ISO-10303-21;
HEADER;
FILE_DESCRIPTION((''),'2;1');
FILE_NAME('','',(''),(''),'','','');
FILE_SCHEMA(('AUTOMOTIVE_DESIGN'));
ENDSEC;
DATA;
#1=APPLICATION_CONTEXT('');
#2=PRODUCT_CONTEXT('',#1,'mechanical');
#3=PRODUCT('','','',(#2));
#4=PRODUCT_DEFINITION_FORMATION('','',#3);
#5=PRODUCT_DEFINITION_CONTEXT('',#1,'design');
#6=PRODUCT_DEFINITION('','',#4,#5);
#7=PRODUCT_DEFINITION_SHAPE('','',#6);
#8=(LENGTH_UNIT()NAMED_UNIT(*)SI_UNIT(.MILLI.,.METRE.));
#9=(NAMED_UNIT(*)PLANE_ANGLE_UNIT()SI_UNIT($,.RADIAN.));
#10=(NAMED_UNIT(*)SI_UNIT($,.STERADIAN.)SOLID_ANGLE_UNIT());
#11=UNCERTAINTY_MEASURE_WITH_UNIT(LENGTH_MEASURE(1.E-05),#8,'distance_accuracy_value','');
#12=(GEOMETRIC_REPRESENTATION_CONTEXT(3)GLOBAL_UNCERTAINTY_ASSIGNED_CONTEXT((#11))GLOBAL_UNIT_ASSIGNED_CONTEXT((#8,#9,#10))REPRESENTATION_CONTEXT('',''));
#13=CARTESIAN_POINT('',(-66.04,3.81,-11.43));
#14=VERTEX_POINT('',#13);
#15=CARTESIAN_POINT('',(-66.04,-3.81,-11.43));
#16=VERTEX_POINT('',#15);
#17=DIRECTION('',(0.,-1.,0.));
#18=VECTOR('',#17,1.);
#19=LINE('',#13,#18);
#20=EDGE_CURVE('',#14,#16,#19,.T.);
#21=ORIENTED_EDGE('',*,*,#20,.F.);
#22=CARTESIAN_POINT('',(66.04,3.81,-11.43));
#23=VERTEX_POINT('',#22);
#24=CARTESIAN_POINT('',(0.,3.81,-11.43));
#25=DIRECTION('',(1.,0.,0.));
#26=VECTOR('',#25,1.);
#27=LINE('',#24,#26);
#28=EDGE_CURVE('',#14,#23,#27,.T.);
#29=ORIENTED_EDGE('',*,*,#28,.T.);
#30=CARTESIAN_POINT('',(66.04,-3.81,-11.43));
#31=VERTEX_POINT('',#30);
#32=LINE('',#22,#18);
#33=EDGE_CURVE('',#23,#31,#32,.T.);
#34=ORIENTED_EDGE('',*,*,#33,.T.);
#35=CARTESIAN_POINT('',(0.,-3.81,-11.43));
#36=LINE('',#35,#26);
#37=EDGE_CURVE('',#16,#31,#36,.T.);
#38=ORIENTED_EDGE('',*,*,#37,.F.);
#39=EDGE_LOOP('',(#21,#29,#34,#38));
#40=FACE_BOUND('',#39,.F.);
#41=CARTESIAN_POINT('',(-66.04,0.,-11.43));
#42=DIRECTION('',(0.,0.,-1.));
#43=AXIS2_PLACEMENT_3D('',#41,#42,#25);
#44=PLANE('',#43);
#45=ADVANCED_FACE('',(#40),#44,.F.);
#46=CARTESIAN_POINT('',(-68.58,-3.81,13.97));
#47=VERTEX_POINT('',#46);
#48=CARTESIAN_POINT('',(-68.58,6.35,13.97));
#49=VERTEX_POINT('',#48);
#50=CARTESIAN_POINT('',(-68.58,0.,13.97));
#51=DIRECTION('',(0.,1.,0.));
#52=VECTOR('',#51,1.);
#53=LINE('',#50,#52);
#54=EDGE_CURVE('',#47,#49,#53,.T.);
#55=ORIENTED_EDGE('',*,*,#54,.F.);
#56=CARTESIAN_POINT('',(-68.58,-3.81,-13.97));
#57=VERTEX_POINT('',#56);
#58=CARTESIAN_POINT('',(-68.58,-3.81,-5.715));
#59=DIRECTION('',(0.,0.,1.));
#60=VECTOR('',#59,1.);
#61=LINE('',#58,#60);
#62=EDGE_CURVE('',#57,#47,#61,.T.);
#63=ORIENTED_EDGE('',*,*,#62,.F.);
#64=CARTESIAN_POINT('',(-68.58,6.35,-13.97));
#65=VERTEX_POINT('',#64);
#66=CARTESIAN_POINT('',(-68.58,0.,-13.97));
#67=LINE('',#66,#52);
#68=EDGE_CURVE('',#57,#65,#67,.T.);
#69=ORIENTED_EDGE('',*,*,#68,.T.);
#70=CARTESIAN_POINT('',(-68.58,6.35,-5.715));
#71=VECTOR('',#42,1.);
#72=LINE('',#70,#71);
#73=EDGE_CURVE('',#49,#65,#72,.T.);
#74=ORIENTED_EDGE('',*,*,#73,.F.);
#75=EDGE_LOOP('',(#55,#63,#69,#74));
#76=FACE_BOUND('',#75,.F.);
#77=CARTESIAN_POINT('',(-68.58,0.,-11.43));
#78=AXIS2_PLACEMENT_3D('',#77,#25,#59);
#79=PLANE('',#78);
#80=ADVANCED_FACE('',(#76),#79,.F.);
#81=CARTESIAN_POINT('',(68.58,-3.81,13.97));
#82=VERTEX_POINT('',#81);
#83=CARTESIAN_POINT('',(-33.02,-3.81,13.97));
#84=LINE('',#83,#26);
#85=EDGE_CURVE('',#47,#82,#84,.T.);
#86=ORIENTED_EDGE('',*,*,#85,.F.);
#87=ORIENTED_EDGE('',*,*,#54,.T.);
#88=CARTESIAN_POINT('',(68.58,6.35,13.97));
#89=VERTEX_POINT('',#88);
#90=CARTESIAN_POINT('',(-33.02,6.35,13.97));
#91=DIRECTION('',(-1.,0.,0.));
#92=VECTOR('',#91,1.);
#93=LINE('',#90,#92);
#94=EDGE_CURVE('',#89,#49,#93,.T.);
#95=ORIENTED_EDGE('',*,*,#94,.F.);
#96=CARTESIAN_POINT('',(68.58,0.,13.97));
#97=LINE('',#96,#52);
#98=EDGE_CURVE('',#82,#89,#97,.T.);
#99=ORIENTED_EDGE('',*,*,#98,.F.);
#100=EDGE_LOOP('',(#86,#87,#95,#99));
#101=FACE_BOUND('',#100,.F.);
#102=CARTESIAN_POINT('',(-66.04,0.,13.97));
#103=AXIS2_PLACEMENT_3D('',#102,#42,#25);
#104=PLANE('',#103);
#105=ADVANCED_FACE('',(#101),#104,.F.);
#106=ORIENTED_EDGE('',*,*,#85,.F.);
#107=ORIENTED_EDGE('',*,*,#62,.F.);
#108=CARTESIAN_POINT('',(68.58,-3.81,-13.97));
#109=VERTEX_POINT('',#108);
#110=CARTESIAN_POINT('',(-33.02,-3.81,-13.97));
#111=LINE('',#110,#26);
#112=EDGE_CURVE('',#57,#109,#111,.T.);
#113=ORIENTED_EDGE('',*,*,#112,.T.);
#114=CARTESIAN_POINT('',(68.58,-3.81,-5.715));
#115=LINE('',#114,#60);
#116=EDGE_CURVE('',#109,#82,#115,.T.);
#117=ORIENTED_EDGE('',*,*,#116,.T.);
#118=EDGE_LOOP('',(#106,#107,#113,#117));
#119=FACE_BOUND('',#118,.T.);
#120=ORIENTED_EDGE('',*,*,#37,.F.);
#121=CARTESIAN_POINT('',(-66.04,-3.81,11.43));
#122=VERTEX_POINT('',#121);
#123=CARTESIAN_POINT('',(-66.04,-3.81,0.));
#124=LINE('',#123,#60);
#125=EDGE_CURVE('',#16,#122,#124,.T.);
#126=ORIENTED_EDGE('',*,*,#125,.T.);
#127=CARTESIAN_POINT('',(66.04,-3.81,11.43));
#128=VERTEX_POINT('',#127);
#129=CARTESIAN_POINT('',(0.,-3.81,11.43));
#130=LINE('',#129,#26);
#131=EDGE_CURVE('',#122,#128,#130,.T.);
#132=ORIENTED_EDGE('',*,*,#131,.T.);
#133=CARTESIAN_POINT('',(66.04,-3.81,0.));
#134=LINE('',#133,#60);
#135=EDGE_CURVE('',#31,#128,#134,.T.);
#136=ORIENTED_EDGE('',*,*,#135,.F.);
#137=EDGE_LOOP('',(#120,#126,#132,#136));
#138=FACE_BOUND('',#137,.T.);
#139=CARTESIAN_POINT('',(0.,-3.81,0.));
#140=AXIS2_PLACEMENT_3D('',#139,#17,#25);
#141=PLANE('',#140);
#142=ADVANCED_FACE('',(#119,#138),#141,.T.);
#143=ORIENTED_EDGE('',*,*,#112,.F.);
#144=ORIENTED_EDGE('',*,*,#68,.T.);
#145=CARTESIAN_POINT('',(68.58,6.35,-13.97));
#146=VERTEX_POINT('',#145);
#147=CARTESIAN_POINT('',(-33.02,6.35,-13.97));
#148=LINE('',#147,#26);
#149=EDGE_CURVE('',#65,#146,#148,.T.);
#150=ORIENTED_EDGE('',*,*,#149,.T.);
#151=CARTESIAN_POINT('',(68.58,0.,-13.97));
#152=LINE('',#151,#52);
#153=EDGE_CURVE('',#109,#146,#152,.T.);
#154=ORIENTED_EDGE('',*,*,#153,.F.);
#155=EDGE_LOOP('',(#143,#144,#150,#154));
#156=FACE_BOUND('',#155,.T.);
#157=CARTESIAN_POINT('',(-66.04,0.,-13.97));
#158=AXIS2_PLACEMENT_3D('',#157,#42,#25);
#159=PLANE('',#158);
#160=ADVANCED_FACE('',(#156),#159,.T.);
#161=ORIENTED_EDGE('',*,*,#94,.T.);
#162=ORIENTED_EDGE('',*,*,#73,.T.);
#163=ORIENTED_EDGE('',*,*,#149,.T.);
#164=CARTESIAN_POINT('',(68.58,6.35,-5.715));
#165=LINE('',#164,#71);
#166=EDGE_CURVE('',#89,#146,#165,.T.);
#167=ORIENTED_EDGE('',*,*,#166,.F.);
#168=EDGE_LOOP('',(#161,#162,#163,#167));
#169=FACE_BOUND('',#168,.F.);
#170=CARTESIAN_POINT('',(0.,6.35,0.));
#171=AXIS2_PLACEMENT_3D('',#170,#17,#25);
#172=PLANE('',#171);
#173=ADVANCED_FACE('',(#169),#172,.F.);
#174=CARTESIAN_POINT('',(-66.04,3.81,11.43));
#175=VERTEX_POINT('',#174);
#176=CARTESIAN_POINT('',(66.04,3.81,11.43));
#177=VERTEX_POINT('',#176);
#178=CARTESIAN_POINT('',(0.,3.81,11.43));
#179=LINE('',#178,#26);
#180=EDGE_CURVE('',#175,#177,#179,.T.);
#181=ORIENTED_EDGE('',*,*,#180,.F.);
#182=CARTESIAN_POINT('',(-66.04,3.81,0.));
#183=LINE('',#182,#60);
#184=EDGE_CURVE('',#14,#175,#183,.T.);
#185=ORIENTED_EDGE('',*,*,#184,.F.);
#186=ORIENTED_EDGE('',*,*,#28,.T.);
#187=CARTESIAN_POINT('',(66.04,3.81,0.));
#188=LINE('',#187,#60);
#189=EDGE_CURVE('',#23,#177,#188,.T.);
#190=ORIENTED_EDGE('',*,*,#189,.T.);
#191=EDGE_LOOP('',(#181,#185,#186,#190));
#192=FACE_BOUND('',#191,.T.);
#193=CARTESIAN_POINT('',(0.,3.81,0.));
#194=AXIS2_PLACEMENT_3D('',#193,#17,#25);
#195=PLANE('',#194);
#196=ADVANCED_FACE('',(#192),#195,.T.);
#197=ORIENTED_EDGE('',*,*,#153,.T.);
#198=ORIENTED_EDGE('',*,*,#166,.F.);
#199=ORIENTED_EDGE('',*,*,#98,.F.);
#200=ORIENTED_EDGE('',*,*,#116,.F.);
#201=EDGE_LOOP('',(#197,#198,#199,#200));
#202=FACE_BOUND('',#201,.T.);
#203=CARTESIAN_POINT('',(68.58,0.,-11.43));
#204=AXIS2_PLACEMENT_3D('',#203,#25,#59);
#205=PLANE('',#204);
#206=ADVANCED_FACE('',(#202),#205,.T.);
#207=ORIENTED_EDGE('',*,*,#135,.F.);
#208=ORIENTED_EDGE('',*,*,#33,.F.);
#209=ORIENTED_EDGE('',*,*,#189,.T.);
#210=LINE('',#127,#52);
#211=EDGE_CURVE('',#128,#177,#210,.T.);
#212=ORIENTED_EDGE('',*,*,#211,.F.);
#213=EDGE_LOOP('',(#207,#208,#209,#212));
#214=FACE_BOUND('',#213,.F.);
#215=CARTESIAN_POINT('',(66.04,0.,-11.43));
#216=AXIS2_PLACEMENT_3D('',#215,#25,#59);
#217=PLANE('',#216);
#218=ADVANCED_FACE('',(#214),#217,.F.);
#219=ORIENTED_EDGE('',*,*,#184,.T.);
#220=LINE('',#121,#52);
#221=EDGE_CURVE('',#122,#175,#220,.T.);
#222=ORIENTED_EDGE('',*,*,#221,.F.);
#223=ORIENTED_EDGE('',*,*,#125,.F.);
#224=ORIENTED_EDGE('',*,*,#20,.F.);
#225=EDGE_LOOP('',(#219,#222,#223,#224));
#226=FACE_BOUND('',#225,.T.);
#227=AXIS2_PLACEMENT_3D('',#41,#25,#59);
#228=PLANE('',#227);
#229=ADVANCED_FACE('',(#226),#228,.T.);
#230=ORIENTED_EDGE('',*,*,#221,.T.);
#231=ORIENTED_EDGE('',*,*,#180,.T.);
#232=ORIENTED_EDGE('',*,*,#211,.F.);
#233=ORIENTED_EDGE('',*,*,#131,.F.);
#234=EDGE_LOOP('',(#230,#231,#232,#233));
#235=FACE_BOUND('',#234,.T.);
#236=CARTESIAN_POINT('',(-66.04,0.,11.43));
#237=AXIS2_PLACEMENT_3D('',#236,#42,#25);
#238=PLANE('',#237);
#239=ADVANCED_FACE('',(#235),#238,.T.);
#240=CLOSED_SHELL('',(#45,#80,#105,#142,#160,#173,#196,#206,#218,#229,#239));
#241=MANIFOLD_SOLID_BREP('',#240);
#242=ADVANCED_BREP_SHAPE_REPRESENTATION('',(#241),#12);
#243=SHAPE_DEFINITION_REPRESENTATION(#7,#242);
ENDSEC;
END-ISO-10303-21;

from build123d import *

# Parameters (mm, degrees)
F0_W     = 132.08
F0_H     = 22.86
F1_DEPTH = 3.81
F2_T     = 2.54


with BuildPart() as f1:
    # F0 (on Front) → F1 (new body, symmetric)
    with BuildSketch(Plane.XZ):
        Rectangle(F0_W, F0_H)
    extrude(amount=F1_DEPTH, both=True)

    # F2
    f2_openings = [f1.faces().sort_by_distance(p)[0] for p in [
        (0, -3.81, 0),
    ]]
    offset(amount=F2_T, openings=f2_openings, kind=Kind.INTERSECTION)


solid = f1.part
